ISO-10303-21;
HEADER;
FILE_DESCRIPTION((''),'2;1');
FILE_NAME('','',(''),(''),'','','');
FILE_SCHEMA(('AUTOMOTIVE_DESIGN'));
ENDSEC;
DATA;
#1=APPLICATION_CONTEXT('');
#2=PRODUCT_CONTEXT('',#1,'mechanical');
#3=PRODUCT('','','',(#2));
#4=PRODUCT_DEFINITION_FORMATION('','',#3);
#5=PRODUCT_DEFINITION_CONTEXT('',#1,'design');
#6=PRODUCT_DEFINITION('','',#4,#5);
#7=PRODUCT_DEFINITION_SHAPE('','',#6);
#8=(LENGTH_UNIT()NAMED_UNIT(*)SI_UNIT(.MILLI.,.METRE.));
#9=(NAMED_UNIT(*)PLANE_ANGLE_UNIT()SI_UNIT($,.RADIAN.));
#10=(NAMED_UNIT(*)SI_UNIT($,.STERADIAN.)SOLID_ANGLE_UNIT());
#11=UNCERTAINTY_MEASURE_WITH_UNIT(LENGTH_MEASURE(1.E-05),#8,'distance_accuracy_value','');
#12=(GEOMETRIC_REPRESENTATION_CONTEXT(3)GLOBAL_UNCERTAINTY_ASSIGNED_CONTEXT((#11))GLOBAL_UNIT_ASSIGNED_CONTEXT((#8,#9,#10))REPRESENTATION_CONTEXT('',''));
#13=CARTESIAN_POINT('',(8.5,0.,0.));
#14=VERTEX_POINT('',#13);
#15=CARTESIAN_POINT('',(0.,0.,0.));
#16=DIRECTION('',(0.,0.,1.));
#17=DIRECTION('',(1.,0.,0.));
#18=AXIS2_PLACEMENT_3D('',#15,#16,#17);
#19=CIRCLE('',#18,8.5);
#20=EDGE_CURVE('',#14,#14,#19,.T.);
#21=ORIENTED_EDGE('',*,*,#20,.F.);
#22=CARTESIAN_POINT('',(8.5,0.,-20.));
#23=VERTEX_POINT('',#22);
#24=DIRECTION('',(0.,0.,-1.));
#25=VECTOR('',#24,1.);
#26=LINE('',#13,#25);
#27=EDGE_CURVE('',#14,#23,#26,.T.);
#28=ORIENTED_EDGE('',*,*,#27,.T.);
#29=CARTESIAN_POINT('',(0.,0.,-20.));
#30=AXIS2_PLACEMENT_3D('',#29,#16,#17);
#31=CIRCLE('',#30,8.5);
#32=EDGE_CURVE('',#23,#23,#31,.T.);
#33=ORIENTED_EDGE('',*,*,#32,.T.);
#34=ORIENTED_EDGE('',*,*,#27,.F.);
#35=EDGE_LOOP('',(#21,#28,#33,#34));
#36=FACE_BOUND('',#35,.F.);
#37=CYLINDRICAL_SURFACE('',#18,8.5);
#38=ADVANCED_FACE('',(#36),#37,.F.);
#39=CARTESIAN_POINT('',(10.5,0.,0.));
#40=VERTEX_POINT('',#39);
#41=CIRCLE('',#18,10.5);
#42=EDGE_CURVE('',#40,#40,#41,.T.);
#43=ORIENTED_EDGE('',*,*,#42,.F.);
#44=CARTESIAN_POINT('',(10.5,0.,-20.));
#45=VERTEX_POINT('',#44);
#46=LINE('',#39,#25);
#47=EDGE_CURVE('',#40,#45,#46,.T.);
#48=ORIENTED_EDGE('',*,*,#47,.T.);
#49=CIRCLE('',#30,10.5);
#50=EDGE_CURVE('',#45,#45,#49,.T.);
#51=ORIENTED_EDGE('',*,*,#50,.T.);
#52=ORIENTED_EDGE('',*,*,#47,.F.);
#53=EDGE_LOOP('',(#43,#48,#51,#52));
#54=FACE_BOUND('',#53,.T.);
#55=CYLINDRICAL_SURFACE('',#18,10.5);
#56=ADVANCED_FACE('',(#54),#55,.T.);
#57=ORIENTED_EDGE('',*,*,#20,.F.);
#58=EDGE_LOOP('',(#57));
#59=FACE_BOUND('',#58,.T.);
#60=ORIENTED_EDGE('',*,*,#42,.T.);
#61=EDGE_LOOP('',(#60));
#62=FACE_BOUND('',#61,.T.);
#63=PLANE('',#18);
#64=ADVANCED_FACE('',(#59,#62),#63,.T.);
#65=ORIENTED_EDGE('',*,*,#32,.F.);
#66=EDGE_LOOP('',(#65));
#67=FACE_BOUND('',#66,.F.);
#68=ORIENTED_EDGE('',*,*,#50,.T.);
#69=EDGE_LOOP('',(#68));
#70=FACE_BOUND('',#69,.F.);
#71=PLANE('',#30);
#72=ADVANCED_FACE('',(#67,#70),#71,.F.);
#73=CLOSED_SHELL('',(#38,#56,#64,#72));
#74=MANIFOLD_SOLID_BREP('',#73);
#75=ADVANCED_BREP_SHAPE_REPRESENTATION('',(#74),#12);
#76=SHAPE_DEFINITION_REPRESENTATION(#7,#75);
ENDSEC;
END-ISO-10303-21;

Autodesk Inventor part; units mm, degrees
ref_plane "YZ Plane" through (0, 0, 0) normal (1, 0, 0) x (0, 1, 0)
ref_plane "XZ Plane" through (0, 0, 0) normal (0, 1, 0) x (-1, 0, 0)
ref_plane "XY Plane" through (0, 0, 0) normal (0, 0, 1) x (1, 0, 0)
sketch "Sketch11" plane through (0, 0, 0) normal (0, 0, 1) x (1, 0, 0)
  circle A0 centre (0, 0) radius 10.5
  circle A1 centre (0, 0) radius 8.5
  dimension "d187" = 21
  dimension "d188" = 2
extrude "Extrusion5" add sketch "Sketch11" against normal blind 20
properties part number "TZS 1757 FDS 940 way tube 7" material "Stainless Steel"
